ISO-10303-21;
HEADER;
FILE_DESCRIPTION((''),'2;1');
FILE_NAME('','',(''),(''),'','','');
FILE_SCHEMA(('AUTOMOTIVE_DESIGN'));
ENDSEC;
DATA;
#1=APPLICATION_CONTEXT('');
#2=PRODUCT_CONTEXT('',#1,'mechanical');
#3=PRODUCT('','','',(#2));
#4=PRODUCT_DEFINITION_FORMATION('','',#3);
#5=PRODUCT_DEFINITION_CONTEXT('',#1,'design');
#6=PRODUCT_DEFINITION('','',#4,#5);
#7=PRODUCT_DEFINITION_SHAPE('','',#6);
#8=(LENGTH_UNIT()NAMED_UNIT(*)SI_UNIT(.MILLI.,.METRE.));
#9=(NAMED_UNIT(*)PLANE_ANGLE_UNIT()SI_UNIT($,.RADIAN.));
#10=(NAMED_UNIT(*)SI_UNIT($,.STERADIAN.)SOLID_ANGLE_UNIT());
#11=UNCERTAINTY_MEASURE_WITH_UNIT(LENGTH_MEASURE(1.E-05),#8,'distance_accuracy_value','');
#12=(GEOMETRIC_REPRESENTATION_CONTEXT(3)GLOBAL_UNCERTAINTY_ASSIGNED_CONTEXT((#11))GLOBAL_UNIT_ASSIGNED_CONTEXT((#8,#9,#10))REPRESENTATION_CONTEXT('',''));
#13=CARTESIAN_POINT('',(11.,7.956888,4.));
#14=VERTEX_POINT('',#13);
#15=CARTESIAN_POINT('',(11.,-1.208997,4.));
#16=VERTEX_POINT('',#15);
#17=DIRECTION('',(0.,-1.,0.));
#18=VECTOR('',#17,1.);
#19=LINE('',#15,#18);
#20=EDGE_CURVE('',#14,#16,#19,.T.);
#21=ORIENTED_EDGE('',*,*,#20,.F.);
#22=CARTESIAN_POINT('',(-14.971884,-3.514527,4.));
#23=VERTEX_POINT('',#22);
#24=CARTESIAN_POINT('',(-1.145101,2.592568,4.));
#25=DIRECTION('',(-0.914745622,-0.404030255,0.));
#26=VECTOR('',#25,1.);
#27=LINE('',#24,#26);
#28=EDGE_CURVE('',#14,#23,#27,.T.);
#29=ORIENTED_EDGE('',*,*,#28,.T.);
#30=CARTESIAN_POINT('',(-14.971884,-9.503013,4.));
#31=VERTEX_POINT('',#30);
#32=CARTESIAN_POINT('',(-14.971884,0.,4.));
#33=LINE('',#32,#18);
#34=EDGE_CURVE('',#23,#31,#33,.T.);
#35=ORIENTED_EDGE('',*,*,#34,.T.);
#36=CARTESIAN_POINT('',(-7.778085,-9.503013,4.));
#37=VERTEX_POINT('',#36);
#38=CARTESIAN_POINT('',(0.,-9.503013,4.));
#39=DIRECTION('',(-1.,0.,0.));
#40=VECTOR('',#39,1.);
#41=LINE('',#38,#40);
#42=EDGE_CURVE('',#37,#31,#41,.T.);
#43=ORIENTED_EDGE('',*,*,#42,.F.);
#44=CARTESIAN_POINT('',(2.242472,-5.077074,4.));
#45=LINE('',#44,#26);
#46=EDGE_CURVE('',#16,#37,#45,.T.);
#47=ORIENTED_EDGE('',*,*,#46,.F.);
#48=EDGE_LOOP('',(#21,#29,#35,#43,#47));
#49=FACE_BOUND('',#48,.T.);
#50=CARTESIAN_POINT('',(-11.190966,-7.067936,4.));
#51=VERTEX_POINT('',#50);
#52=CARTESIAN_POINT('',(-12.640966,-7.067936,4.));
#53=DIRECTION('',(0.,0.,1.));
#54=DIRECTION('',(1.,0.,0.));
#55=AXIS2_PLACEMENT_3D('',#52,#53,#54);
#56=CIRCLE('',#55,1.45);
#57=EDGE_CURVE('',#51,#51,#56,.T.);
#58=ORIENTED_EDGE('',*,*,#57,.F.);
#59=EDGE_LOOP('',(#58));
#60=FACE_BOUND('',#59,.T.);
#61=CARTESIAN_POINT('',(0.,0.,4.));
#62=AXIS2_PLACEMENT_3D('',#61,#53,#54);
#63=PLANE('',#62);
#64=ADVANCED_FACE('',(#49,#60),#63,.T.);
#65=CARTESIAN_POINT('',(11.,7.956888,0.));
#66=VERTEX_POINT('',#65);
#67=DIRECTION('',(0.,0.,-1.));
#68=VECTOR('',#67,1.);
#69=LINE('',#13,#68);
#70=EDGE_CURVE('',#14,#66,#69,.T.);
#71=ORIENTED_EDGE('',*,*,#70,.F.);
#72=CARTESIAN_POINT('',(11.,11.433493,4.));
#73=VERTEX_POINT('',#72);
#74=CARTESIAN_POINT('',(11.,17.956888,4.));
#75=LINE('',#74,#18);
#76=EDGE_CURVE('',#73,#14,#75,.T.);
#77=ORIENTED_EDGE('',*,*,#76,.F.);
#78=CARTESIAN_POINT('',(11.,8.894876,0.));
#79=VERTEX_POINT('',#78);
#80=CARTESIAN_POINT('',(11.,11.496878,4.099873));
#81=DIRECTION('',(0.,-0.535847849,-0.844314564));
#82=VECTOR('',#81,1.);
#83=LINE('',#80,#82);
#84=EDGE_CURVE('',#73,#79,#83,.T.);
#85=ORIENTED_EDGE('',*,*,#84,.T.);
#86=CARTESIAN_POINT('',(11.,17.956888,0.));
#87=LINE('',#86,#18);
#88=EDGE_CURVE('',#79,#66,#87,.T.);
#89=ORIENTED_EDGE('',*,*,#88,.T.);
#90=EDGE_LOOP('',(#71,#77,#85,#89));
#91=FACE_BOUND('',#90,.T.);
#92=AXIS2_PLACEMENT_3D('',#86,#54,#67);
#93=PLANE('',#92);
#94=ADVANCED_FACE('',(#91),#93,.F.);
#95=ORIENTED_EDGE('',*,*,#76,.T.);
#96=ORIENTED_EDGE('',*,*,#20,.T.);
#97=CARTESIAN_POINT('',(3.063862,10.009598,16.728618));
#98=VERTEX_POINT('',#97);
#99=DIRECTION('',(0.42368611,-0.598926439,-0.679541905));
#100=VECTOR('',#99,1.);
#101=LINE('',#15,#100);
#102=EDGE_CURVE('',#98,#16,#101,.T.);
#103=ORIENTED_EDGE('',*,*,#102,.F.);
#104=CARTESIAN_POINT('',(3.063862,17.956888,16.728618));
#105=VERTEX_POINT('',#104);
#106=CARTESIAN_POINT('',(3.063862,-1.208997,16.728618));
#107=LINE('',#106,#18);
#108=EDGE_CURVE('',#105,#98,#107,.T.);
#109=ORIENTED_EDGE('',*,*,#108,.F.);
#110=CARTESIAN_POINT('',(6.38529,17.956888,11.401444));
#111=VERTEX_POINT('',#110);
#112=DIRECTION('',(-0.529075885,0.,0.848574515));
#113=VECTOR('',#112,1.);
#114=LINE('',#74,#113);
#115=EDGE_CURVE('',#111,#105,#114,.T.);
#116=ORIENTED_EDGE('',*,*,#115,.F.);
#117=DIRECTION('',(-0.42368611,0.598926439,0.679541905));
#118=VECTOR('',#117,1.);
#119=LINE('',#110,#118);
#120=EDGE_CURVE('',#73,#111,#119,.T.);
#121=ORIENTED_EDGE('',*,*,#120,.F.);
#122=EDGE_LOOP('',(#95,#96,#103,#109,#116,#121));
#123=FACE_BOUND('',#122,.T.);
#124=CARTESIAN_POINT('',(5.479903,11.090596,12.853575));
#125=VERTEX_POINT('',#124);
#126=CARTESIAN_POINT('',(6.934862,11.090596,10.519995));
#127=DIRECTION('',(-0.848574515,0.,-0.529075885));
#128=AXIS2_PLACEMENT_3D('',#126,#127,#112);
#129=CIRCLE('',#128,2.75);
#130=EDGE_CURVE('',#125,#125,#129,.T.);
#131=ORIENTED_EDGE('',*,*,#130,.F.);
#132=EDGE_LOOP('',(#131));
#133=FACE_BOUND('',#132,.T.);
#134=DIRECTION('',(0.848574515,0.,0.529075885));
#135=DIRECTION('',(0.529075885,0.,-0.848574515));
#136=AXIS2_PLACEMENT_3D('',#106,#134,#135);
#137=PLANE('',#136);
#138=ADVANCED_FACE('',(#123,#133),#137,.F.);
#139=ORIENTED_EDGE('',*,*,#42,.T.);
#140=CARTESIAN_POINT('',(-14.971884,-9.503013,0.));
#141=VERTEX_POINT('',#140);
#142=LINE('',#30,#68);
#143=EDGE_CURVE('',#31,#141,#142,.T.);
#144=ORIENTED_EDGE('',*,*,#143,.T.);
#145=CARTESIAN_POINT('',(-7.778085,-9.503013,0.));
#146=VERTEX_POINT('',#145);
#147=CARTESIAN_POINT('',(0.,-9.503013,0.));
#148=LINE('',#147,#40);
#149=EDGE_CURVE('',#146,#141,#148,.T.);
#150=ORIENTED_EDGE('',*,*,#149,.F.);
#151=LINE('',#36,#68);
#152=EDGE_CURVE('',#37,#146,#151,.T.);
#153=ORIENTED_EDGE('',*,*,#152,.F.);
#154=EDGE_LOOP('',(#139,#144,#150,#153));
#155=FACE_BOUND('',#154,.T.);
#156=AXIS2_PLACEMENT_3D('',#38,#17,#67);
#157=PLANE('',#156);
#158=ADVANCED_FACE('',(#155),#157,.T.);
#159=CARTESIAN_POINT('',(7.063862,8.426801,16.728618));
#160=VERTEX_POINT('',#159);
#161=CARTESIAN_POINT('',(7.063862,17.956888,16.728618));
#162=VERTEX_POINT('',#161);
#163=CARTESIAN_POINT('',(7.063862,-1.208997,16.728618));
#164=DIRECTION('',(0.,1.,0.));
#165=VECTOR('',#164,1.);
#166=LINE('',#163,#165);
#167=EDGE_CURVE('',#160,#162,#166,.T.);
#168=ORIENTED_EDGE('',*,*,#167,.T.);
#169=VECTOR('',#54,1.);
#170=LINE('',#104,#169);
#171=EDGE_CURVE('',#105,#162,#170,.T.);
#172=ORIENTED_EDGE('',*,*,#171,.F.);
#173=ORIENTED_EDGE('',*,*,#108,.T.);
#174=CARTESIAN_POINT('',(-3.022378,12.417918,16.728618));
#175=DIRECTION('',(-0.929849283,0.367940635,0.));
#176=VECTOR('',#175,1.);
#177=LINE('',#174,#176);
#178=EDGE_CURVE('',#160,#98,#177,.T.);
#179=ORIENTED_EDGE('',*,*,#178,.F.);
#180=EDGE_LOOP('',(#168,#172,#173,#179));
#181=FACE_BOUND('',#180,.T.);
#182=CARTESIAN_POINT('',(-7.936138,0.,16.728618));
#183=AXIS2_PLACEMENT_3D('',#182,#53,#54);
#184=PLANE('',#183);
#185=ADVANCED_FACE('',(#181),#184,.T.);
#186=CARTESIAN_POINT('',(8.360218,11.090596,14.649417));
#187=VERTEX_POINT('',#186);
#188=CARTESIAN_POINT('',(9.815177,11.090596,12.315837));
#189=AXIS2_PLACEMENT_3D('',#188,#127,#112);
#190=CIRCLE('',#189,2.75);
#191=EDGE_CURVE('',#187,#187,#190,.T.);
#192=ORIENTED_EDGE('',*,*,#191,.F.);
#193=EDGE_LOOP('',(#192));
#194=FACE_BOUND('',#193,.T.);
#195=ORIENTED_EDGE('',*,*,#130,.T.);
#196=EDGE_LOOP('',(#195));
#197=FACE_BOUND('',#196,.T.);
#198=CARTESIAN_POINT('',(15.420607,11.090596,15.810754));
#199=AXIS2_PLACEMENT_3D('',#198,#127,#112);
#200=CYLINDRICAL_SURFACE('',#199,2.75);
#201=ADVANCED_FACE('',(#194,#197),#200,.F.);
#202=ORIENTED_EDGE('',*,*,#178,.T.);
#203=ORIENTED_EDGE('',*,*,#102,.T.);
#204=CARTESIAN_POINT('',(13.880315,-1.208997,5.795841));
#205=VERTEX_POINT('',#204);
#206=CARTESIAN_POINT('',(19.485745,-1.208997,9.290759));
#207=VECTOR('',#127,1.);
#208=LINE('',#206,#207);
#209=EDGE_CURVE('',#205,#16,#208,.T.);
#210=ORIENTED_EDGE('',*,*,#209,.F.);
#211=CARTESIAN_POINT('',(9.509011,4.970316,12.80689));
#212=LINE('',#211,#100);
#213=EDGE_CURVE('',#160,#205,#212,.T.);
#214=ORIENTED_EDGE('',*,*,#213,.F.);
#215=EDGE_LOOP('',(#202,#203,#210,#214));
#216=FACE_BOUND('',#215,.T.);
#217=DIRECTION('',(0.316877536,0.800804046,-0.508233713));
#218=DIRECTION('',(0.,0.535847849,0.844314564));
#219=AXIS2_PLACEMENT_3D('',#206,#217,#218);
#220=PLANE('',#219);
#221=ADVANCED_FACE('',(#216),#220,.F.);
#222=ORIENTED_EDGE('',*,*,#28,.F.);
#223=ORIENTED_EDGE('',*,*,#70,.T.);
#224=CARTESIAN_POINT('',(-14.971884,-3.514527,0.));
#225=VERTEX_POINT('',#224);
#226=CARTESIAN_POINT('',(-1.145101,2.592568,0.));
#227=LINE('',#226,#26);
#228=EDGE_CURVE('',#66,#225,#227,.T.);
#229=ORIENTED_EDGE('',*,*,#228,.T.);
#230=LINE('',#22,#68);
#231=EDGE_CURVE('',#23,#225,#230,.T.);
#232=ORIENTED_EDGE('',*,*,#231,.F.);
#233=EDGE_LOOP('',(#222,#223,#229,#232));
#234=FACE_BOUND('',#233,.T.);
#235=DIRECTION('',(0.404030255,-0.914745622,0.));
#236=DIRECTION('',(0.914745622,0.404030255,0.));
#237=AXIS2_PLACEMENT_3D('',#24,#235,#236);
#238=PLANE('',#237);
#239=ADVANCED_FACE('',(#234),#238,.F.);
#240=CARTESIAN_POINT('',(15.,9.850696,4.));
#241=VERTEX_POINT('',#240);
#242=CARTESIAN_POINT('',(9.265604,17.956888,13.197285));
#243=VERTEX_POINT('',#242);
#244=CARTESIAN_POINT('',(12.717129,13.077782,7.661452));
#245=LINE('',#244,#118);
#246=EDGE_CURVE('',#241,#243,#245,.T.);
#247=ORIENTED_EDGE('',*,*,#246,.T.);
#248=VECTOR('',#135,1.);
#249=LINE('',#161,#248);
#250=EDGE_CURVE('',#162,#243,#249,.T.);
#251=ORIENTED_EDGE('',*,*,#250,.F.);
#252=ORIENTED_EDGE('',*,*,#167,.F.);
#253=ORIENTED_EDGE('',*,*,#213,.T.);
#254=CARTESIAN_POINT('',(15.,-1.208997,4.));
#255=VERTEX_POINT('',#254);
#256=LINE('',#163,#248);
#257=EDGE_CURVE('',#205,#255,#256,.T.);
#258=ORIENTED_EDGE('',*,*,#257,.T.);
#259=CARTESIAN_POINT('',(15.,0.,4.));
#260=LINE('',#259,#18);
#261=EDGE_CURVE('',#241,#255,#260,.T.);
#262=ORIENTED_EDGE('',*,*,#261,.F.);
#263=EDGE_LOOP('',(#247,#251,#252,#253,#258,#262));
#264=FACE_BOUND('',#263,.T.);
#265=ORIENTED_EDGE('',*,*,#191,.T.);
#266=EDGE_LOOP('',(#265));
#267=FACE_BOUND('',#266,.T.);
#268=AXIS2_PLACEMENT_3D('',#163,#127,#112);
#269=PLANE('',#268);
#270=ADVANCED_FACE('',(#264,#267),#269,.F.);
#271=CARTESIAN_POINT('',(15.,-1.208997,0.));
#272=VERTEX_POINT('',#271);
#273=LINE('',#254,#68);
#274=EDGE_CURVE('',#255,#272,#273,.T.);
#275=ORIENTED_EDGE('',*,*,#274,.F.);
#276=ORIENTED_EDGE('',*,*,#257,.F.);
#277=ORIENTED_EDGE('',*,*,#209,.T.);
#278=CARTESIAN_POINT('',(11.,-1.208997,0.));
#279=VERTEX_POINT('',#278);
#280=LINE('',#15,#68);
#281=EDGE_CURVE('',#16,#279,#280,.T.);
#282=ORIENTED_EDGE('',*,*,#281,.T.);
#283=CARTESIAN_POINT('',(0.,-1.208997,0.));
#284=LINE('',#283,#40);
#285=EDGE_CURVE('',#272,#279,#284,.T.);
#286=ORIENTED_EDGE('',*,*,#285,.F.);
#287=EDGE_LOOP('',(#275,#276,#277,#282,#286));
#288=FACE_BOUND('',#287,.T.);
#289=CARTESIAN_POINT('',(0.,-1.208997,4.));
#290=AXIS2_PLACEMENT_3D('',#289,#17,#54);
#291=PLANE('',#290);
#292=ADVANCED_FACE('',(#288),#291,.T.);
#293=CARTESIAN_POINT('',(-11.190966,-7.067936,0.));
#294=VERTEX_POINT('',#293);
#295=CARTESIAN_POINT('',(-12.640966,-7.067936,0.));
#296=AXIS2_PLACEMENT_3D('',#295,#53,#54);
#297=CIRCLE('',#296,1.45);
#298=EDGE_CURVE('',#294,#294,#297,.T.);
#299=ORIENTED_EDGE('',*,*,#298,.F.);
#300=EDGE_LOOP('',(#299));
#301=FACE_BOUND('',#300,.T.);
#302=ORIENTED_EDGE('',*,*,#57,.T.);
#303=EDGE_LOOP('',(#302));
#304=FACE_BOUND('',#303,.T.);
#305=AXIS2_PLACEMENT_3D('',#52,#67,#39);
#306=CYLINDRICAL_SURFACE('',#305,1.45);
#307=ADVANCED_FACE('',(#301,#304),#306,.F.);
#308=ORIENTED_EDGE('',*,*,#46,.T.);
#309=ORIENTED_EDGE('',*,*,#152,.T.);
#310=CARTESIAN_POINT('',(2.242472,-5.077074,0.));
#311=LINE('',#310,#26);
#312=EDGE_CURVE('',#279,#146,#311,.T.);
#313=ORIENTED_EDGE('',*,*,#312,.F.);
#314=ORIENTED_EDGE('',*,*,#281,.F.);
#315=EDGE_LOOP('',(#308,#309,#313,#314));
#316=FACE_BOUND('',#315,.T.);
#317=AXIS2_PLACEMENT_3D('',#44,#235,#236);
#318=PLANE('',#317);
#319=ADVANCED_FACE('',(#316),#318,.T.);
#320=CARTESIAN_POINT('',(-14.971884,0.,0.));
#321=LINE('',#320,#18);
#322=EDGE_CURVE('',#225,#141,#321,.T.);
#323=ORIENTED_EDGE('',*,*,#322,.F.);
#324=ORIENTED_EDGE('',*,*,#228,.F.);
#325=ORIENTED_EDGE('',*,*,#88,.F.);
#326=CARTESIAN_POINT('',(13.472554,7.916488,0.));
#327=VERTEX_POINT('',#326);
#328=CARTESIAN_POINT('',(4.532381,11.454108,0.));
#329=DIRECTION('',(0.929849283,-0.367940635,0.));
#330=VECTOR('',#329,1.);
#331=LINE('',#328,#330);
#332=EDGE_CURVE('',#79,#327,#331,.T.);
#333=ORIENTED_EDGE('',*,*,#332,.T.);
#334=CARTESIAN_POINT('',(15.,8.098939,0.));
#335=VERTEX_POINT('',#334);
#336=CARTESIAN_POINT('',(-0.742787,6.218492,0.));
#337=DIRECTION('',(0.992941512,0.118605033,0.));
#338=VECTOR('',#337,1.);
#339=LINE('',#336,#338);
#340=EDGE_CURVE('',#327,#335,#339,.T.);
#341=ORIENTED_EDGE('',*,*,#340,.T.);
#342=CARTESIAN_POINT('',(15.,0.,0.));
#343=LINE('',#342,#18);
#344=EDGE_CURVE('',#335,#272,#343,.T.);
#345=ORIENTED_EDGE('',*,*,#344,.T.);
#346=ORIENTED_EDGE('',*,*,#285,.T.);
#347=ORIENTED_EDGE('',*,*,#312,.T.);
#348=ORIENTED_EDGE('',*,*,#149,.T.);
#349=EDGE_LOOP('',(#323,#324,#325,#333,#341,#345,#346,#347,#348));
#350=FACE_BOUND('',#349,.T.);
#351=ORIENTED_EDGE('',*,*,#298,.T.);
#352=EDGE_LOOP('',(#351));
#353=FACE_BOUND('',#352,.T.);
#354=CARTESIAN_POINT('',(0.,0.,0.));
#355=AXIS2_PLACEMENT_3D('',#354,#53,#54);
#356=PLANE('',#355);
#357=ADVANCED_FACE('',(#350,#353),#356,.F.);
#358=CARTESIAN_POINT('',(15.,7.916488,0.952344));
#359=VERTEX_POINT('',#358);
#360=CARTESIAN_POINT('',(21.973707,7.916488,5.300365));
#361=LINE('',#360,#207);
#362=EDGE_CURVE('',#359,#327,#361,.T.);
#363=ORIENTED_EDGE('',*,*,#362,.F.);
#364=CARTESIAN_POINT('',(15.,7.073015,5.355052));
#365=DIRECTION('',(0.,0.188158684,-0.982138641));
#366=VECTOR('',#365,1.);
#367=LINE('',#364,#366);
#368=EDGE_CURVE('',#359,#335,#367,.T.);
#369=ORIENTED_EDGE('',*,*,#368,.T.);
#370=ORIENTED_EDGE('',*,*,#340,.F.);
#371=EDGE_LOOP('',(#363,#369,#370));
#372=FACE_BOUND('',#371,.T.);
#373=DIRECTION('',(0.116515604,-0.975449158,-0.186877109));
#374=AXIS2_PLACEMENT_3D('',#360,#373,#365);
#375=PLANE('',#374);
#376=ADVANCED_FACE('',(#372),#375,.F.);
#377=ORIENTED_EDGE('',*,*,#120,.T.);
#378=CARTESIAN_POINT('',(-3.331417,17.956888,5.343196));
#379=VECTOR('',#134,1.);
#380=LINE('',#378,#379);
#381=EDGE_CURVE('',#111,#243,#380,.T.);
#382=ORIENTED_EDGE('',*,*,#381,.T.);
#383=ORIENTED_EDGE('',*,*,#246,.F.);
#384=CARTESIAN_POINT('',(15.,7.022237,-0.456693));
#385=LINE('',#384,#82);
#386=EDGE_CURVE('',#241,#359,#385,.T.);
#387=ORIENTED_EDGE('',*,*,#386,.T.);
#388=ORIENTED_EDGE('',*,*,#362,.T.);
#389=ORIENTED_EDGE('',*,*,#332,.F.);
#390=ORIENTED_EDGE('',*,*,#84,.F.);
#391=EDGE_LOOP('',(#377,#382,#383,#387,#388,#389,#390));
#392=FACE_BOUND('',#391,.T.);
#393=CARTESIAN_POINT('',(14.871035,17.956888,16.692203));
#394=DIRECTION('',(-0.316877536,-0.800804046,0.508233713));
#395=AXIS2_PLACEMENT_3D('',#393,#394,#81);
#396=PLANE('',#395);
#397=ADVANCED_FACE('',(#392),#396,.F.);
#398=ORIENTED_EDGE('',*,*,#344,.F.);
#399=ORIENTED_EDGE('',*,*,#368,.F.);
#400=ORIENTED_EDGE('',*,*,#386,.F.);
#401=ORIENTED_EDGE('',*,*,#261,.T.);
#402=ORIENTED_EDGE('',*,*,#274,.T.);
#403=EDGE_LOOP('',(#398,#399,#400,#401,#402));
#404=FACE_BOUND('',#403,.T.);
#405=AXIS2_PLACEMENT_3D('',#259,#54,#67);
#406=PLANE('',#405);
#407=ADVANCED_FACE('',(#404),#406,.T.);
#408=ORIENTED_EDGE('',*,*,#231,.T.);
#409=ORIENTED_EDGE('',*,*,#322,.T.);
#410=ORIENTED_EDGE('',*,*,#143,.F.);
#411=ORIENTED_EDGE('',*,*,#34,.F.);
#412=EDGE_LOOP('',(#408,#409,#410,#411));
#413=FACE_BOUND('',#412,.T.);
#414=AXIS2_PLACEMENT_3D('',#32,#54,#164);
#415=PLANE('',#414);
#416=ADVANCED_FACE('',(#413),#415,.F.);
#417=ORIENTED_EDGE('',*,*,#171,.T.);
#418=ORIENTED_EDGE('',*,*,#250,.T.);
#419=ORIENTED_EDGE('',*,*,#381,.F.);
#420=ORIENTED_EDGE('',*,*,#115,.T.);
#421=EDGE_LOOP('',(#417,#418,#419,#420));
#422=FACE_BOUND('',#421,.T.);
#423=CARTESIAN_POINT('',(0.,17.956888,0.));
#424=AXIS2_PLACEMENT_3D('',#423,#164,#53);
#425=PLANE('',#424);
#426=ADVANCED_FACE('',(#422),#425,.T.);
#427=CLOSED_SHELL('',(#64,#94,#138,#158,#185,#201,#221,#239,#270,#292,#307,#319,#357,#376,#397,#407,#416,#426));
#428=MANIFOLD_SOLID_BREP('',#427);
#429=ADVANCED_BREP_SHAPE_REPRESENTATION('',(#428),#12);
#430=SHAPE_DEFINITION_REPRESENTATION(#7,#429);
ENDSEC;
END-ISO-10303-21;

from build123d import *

# Parameters (mm, degrees)
SKICA1_R                 = 1.45
SKICA1_W                 = 4
SKICA1_H                 = 9.16588566
P_IDAT_VYSUNUT_M1_DEPTH  = 4
SKICA3_W                 = 4
SKICA3_H                 = 9.16588566
P_IDAT_VYSUNUT_M2_DEPTH  = 15
P_IDAT_VYSUNUT_M3_DEPTH  = 10
ODEBRAT_VYSUNUT_M2_DEPTH = 10
ODEBRAT_VYSUNUT_M3_DEPTH = 10
SKICA8_R                 = 2.75
ODEBRAT_VYSUNUT_M4_DEPTH = 10


with BuildPart() as part:
    # Skica1 → Přidat vysunutím1 (new body)
    # profile 1 of 2: a face of its own
    with BuildSketch(Plane.XY):
        Polygon((-7.778084737, -9.503012675), (-14.971883786, -9.503012675), (-14.971883786, -3.51452671), (11, 7.956888472), (11, -1.208997188), align=None)
        with Locations((-12.640965682, -7.067935851)):
            Circle(SKICA1_R, mode=Mode.SUBTRACT)
    # profile 2 of 2: a face of its own
    with BuildSketch(Plane.XY):
        with Locations((13, 3.373945642)):
            Rectangle(SKICA1_W, SKICA1_H)
    extrude(amount=P_IDAT_VYSUNUT_M1_DEPTH)

    # Skica3 → Přidat vysunutím2 (add, along a direction that is not the sketch's normal)
    with BuildSketch(Plane.XY.offset(4)):
        with Locations((13, 3.373945642)):
            Rectangle(SKICA3_W, SKICA3_H)
    extrude(amount=P_IDAT_VYSUNUT_M2_DEPTH, dir=(-0.5290758851456407, 0, 0.8485745151472301))

    # Skica5 → Přidat vysunutím3 (add)
    with BuildSketch(Plane(origin=(0, 7.956888472, 0), x_dir=(1, 0, 0), z_dir=(0, 1, 0))):
        Polygon((15, 0), (11, 0), (11, -4), (3.063861723, -16.728617727), (7.063861723, -16.728617727), (15, -4), align=None)
    extrude(amount=P_IDAT_VYSUNUT_M3_DEPTH)

    # Skica6 → Odebrat vysunutím2 (cut)
    with BuildSketch(Plane(origin=(9.716707036, 0, 6.058248609), x_dir=(-0.5290758851456409, 0, 0.8485745151472303), z_dir=(-0.8485745151472303, 0, -0.5290758851456409))):
        Polygon((-2.425536676, -1.208997188), (12.574463324, 10.009598213), (12.574463324, 17.956888472), (6.296672199, 17.956888472), (-7.12800363, 7.916488038), (-11.684978048, 8.945304904), (-10.179922277, 18.63037402), (-8.967516239, 18.63037402), (19.168665262, 18.63037402), (19.670350519, -6.557900971), (0.480889436, -6.557900971), align=None)
    extrude(amount=-ODEBRAT_VYSUNUT_M2_DEPTH, mode=Mode.SUBTRACT)

    # Skica7 → Odebrat vysunutím3 (cut)
    with BuildSketch(Plane(origin=(9.716707036, 0, 6.058248609), x_dir=(0.5290758851456409, 0, -0.8485745151472303), z_dir=(0.8485745151472303, 0, 0.5290758851456409))):
        Polygon((2.425536676, 17.956888472), (2.425536676, 11.433492981), (7.12800363, 7.916488038), (7.139324244, 7.919043865), (7.139324244, 17.956888472), align=None)
    extrude(amount=-ODEBRAT_VYSUNUT_M3_DEPTH, mode=Mode.SUBTRACT)

    # Skica8 → Odebrat vysunutím4 (cut)
    with BuildSketch(Plane(origin=(9.716707036, 0, 6.058248609), x_dir=(-0.5290758851456409, 0, 0.8485745151472303), z_dir=(-0.8485745151472303, 0, -0.5290758851456409))):
        with Locations((5.257931739, 11.090596363)):
            Circle(SKICA8_R)
    extrude(amount=-ODEBRAT_VYSUNUT_M4_DEPTH, mode=Mode.SUBTRACT)


solid = part.part
